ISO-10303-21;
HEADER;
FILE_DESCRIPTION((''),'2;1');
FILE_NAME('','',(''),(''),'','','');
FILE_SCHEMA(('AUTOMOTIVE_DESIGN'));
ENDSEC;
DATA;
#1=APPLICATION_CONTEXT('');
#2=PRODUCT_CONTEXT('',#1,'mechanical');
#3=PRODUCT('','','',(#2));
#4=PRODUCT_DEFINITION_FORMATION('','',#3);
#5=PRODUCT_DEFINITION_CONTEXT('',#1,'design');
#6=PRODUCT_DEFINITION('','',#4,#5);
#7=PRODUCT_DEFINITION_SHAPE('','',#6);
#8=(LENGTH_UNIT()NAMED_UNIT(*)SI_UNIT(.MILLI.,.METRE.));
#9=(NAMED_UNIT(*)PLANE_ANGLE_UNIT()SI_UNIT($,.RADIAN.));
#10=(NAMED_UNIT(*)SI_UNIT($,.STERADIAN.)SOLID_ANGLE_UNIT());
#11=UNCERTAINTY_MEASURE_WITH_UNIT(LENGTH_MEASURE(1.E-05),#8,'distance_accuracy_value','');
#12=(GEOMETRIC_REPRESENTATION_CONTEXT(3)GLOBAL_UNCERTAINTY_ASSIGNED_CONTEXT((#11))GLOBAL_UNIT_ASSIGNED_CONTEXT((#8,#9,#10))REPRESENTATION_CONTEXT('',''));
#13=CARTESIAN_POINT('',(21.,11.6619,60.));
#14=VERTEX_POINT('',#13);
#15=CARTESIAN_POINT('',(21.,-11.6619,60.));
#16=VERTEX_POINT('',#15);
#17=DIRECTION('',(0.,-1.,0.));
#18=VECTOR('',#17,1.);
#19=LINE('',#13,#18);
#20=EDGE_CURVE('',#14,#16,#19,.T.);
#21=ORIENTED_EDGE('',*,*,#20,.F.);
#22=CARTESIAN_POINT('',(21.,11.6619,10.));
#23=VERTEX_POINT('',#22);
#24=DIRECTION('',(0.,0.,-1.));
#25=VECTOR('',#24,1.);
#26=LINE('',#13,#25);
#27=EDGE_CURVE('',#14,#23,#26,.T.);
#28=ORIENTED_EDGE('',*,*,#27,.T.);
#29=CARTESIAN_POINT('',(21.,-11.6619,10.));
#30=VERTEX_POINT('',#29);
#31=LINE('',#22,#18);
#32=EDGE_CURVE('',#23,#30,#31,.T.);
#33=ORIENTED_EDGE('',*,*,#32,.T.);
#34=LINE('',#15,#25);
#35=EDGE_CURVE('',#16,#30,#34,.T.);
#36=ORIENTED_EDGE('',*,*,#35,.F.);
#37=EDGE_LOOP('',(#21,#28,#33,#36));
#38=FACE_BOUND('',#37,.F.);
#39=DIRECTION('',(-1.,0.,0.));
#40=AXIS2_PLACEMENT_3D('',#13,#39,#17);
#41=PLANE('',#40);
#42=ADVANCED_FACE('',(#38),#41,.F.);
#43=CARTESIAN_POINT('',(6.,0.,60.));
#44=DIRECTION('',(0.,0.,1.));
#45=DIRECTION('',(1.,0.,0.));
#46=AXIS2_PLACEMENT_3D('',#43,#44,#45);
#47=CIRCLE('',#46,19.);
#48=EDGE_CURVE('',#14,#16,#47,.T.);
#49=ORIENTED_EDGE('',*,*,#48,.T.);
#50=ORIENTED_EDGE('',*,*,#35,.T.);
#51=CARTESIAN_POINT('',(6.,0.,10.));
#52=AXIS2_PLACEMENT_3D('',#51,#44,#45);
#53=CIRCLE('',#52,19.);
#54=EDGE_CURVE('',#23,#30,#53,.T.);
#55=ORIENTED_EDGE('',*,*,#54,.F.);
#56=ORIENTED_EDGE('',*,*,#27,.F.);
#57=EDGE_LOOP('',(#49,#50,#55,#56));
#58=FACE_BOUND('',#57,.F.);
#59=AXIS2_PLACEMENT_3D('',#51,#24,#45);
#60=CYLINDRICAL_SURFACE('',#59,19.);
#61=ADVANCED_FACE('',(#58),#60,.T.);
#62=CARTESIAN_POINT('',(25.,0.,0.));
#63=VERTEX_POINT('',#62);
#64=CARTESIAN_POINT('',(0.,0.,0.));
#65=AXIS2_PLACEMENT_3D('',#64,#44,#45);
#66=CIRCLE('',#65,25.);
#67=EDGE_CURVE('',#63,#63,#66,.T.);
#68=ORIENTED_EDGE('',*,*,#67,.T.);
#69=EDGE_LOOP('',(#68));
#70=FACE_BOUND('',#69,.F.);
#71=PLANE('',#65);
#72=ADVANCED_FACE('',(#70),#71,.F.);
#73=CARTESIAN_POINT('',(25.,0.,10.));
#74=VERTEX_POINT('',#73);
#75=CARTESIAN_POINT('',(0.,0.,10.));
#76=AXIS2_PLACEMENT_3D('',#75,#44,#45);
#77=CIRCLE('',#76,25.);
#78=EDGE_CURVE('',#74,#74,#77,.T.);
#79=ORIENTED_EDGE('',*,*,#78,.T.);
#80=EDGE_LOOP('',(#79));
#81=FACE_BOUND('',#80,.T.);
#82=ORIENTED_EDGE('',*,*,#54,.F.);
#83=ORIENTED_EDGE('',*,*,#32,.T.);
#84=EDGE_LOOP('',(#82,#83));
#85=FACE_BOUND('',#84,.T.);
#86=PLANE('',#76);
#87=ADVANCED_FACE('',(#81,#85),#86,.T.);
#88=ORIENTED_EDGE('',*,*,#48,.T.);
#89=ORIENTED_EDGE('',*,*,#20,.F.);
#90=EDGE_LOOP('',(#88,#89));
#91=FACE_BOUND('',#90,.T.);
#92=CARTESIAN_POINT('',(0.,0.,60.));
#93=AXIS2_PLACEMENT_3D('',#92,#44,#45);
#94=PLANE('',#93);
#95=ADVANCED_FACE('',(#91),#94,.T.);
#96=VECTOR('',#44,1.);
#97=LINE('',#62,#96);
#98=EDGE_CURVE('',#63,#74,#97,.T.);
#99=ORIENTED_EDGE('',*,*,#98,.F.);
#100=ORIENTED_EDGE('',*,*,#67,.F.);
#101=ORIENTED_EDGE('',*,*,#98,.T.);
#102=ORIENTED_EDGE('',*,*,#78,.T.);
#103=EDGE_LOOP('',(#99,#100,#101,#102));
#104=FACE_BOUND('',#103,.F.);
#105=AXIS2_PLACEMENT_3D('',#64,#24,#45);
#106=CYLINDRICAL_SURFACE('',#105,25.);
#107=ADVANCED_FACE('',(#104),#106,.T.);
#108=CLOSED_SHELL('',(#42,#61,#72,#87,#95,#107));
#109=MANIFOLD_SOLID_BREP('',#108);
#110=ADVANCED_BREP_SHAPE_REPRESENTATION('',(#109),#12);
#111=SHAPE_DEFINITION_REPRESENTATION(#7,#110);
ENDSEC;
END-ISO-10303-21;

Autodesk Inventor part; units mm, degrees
ref_plane "YZ Plane" through (0, 0, 0) normal (1, 0, 0) x (0, 1, 0)
ref_plane "XZ Plane" through (0, 0, 0) normal (0, 1, 0) x (-1, 0, 0)
ref_plane "XY Plane" through (0, 0, 0) normal (0, 0, 1) x (1, 0, 0)
sketch "草圖1" plane through (0, 0, 0) normal (0, 0, 1) x (1, 0, 0)
  circle A0 centre (0, 0) radius 25
  dimension "d0" = 50
extrude "擠出1" add sketch "草圖1" along normal blind 10
sketch "草圖2" plane through (0, 0, 10) normal (0, 0, 1) x (1, 0, 0)
  circle A0 centre (6, 0) radius 19
  circle A1 centre (0, 0) radius 25 projected
  dimension "d3" = 6
extrude "擠出2" add sketch "草圖2" along normal blind 50 contours A0
sketch "草圖3" plane through (6, 0, 60) normal (0, 0, 1) x (1, 0, 0)
  circle A0 centre (0, 0) radius 19 projected
  circle A1 centre (0, 0) radius 19 projected
  line L0 (15, 11.6619) -> (15, -11.6619)
  point P0 (-6, 0)
  point P1 (19, 0)
  point P2 (15, 11.6619)
  point P3 (15, -11.6619)
  dimension "d6" = 15
extrude "擠出3" cut sketch "草圖3" against normal up to surface (50 mm away) contours A0 L0 picked at (16.3333, 0)
properties part number "input"
